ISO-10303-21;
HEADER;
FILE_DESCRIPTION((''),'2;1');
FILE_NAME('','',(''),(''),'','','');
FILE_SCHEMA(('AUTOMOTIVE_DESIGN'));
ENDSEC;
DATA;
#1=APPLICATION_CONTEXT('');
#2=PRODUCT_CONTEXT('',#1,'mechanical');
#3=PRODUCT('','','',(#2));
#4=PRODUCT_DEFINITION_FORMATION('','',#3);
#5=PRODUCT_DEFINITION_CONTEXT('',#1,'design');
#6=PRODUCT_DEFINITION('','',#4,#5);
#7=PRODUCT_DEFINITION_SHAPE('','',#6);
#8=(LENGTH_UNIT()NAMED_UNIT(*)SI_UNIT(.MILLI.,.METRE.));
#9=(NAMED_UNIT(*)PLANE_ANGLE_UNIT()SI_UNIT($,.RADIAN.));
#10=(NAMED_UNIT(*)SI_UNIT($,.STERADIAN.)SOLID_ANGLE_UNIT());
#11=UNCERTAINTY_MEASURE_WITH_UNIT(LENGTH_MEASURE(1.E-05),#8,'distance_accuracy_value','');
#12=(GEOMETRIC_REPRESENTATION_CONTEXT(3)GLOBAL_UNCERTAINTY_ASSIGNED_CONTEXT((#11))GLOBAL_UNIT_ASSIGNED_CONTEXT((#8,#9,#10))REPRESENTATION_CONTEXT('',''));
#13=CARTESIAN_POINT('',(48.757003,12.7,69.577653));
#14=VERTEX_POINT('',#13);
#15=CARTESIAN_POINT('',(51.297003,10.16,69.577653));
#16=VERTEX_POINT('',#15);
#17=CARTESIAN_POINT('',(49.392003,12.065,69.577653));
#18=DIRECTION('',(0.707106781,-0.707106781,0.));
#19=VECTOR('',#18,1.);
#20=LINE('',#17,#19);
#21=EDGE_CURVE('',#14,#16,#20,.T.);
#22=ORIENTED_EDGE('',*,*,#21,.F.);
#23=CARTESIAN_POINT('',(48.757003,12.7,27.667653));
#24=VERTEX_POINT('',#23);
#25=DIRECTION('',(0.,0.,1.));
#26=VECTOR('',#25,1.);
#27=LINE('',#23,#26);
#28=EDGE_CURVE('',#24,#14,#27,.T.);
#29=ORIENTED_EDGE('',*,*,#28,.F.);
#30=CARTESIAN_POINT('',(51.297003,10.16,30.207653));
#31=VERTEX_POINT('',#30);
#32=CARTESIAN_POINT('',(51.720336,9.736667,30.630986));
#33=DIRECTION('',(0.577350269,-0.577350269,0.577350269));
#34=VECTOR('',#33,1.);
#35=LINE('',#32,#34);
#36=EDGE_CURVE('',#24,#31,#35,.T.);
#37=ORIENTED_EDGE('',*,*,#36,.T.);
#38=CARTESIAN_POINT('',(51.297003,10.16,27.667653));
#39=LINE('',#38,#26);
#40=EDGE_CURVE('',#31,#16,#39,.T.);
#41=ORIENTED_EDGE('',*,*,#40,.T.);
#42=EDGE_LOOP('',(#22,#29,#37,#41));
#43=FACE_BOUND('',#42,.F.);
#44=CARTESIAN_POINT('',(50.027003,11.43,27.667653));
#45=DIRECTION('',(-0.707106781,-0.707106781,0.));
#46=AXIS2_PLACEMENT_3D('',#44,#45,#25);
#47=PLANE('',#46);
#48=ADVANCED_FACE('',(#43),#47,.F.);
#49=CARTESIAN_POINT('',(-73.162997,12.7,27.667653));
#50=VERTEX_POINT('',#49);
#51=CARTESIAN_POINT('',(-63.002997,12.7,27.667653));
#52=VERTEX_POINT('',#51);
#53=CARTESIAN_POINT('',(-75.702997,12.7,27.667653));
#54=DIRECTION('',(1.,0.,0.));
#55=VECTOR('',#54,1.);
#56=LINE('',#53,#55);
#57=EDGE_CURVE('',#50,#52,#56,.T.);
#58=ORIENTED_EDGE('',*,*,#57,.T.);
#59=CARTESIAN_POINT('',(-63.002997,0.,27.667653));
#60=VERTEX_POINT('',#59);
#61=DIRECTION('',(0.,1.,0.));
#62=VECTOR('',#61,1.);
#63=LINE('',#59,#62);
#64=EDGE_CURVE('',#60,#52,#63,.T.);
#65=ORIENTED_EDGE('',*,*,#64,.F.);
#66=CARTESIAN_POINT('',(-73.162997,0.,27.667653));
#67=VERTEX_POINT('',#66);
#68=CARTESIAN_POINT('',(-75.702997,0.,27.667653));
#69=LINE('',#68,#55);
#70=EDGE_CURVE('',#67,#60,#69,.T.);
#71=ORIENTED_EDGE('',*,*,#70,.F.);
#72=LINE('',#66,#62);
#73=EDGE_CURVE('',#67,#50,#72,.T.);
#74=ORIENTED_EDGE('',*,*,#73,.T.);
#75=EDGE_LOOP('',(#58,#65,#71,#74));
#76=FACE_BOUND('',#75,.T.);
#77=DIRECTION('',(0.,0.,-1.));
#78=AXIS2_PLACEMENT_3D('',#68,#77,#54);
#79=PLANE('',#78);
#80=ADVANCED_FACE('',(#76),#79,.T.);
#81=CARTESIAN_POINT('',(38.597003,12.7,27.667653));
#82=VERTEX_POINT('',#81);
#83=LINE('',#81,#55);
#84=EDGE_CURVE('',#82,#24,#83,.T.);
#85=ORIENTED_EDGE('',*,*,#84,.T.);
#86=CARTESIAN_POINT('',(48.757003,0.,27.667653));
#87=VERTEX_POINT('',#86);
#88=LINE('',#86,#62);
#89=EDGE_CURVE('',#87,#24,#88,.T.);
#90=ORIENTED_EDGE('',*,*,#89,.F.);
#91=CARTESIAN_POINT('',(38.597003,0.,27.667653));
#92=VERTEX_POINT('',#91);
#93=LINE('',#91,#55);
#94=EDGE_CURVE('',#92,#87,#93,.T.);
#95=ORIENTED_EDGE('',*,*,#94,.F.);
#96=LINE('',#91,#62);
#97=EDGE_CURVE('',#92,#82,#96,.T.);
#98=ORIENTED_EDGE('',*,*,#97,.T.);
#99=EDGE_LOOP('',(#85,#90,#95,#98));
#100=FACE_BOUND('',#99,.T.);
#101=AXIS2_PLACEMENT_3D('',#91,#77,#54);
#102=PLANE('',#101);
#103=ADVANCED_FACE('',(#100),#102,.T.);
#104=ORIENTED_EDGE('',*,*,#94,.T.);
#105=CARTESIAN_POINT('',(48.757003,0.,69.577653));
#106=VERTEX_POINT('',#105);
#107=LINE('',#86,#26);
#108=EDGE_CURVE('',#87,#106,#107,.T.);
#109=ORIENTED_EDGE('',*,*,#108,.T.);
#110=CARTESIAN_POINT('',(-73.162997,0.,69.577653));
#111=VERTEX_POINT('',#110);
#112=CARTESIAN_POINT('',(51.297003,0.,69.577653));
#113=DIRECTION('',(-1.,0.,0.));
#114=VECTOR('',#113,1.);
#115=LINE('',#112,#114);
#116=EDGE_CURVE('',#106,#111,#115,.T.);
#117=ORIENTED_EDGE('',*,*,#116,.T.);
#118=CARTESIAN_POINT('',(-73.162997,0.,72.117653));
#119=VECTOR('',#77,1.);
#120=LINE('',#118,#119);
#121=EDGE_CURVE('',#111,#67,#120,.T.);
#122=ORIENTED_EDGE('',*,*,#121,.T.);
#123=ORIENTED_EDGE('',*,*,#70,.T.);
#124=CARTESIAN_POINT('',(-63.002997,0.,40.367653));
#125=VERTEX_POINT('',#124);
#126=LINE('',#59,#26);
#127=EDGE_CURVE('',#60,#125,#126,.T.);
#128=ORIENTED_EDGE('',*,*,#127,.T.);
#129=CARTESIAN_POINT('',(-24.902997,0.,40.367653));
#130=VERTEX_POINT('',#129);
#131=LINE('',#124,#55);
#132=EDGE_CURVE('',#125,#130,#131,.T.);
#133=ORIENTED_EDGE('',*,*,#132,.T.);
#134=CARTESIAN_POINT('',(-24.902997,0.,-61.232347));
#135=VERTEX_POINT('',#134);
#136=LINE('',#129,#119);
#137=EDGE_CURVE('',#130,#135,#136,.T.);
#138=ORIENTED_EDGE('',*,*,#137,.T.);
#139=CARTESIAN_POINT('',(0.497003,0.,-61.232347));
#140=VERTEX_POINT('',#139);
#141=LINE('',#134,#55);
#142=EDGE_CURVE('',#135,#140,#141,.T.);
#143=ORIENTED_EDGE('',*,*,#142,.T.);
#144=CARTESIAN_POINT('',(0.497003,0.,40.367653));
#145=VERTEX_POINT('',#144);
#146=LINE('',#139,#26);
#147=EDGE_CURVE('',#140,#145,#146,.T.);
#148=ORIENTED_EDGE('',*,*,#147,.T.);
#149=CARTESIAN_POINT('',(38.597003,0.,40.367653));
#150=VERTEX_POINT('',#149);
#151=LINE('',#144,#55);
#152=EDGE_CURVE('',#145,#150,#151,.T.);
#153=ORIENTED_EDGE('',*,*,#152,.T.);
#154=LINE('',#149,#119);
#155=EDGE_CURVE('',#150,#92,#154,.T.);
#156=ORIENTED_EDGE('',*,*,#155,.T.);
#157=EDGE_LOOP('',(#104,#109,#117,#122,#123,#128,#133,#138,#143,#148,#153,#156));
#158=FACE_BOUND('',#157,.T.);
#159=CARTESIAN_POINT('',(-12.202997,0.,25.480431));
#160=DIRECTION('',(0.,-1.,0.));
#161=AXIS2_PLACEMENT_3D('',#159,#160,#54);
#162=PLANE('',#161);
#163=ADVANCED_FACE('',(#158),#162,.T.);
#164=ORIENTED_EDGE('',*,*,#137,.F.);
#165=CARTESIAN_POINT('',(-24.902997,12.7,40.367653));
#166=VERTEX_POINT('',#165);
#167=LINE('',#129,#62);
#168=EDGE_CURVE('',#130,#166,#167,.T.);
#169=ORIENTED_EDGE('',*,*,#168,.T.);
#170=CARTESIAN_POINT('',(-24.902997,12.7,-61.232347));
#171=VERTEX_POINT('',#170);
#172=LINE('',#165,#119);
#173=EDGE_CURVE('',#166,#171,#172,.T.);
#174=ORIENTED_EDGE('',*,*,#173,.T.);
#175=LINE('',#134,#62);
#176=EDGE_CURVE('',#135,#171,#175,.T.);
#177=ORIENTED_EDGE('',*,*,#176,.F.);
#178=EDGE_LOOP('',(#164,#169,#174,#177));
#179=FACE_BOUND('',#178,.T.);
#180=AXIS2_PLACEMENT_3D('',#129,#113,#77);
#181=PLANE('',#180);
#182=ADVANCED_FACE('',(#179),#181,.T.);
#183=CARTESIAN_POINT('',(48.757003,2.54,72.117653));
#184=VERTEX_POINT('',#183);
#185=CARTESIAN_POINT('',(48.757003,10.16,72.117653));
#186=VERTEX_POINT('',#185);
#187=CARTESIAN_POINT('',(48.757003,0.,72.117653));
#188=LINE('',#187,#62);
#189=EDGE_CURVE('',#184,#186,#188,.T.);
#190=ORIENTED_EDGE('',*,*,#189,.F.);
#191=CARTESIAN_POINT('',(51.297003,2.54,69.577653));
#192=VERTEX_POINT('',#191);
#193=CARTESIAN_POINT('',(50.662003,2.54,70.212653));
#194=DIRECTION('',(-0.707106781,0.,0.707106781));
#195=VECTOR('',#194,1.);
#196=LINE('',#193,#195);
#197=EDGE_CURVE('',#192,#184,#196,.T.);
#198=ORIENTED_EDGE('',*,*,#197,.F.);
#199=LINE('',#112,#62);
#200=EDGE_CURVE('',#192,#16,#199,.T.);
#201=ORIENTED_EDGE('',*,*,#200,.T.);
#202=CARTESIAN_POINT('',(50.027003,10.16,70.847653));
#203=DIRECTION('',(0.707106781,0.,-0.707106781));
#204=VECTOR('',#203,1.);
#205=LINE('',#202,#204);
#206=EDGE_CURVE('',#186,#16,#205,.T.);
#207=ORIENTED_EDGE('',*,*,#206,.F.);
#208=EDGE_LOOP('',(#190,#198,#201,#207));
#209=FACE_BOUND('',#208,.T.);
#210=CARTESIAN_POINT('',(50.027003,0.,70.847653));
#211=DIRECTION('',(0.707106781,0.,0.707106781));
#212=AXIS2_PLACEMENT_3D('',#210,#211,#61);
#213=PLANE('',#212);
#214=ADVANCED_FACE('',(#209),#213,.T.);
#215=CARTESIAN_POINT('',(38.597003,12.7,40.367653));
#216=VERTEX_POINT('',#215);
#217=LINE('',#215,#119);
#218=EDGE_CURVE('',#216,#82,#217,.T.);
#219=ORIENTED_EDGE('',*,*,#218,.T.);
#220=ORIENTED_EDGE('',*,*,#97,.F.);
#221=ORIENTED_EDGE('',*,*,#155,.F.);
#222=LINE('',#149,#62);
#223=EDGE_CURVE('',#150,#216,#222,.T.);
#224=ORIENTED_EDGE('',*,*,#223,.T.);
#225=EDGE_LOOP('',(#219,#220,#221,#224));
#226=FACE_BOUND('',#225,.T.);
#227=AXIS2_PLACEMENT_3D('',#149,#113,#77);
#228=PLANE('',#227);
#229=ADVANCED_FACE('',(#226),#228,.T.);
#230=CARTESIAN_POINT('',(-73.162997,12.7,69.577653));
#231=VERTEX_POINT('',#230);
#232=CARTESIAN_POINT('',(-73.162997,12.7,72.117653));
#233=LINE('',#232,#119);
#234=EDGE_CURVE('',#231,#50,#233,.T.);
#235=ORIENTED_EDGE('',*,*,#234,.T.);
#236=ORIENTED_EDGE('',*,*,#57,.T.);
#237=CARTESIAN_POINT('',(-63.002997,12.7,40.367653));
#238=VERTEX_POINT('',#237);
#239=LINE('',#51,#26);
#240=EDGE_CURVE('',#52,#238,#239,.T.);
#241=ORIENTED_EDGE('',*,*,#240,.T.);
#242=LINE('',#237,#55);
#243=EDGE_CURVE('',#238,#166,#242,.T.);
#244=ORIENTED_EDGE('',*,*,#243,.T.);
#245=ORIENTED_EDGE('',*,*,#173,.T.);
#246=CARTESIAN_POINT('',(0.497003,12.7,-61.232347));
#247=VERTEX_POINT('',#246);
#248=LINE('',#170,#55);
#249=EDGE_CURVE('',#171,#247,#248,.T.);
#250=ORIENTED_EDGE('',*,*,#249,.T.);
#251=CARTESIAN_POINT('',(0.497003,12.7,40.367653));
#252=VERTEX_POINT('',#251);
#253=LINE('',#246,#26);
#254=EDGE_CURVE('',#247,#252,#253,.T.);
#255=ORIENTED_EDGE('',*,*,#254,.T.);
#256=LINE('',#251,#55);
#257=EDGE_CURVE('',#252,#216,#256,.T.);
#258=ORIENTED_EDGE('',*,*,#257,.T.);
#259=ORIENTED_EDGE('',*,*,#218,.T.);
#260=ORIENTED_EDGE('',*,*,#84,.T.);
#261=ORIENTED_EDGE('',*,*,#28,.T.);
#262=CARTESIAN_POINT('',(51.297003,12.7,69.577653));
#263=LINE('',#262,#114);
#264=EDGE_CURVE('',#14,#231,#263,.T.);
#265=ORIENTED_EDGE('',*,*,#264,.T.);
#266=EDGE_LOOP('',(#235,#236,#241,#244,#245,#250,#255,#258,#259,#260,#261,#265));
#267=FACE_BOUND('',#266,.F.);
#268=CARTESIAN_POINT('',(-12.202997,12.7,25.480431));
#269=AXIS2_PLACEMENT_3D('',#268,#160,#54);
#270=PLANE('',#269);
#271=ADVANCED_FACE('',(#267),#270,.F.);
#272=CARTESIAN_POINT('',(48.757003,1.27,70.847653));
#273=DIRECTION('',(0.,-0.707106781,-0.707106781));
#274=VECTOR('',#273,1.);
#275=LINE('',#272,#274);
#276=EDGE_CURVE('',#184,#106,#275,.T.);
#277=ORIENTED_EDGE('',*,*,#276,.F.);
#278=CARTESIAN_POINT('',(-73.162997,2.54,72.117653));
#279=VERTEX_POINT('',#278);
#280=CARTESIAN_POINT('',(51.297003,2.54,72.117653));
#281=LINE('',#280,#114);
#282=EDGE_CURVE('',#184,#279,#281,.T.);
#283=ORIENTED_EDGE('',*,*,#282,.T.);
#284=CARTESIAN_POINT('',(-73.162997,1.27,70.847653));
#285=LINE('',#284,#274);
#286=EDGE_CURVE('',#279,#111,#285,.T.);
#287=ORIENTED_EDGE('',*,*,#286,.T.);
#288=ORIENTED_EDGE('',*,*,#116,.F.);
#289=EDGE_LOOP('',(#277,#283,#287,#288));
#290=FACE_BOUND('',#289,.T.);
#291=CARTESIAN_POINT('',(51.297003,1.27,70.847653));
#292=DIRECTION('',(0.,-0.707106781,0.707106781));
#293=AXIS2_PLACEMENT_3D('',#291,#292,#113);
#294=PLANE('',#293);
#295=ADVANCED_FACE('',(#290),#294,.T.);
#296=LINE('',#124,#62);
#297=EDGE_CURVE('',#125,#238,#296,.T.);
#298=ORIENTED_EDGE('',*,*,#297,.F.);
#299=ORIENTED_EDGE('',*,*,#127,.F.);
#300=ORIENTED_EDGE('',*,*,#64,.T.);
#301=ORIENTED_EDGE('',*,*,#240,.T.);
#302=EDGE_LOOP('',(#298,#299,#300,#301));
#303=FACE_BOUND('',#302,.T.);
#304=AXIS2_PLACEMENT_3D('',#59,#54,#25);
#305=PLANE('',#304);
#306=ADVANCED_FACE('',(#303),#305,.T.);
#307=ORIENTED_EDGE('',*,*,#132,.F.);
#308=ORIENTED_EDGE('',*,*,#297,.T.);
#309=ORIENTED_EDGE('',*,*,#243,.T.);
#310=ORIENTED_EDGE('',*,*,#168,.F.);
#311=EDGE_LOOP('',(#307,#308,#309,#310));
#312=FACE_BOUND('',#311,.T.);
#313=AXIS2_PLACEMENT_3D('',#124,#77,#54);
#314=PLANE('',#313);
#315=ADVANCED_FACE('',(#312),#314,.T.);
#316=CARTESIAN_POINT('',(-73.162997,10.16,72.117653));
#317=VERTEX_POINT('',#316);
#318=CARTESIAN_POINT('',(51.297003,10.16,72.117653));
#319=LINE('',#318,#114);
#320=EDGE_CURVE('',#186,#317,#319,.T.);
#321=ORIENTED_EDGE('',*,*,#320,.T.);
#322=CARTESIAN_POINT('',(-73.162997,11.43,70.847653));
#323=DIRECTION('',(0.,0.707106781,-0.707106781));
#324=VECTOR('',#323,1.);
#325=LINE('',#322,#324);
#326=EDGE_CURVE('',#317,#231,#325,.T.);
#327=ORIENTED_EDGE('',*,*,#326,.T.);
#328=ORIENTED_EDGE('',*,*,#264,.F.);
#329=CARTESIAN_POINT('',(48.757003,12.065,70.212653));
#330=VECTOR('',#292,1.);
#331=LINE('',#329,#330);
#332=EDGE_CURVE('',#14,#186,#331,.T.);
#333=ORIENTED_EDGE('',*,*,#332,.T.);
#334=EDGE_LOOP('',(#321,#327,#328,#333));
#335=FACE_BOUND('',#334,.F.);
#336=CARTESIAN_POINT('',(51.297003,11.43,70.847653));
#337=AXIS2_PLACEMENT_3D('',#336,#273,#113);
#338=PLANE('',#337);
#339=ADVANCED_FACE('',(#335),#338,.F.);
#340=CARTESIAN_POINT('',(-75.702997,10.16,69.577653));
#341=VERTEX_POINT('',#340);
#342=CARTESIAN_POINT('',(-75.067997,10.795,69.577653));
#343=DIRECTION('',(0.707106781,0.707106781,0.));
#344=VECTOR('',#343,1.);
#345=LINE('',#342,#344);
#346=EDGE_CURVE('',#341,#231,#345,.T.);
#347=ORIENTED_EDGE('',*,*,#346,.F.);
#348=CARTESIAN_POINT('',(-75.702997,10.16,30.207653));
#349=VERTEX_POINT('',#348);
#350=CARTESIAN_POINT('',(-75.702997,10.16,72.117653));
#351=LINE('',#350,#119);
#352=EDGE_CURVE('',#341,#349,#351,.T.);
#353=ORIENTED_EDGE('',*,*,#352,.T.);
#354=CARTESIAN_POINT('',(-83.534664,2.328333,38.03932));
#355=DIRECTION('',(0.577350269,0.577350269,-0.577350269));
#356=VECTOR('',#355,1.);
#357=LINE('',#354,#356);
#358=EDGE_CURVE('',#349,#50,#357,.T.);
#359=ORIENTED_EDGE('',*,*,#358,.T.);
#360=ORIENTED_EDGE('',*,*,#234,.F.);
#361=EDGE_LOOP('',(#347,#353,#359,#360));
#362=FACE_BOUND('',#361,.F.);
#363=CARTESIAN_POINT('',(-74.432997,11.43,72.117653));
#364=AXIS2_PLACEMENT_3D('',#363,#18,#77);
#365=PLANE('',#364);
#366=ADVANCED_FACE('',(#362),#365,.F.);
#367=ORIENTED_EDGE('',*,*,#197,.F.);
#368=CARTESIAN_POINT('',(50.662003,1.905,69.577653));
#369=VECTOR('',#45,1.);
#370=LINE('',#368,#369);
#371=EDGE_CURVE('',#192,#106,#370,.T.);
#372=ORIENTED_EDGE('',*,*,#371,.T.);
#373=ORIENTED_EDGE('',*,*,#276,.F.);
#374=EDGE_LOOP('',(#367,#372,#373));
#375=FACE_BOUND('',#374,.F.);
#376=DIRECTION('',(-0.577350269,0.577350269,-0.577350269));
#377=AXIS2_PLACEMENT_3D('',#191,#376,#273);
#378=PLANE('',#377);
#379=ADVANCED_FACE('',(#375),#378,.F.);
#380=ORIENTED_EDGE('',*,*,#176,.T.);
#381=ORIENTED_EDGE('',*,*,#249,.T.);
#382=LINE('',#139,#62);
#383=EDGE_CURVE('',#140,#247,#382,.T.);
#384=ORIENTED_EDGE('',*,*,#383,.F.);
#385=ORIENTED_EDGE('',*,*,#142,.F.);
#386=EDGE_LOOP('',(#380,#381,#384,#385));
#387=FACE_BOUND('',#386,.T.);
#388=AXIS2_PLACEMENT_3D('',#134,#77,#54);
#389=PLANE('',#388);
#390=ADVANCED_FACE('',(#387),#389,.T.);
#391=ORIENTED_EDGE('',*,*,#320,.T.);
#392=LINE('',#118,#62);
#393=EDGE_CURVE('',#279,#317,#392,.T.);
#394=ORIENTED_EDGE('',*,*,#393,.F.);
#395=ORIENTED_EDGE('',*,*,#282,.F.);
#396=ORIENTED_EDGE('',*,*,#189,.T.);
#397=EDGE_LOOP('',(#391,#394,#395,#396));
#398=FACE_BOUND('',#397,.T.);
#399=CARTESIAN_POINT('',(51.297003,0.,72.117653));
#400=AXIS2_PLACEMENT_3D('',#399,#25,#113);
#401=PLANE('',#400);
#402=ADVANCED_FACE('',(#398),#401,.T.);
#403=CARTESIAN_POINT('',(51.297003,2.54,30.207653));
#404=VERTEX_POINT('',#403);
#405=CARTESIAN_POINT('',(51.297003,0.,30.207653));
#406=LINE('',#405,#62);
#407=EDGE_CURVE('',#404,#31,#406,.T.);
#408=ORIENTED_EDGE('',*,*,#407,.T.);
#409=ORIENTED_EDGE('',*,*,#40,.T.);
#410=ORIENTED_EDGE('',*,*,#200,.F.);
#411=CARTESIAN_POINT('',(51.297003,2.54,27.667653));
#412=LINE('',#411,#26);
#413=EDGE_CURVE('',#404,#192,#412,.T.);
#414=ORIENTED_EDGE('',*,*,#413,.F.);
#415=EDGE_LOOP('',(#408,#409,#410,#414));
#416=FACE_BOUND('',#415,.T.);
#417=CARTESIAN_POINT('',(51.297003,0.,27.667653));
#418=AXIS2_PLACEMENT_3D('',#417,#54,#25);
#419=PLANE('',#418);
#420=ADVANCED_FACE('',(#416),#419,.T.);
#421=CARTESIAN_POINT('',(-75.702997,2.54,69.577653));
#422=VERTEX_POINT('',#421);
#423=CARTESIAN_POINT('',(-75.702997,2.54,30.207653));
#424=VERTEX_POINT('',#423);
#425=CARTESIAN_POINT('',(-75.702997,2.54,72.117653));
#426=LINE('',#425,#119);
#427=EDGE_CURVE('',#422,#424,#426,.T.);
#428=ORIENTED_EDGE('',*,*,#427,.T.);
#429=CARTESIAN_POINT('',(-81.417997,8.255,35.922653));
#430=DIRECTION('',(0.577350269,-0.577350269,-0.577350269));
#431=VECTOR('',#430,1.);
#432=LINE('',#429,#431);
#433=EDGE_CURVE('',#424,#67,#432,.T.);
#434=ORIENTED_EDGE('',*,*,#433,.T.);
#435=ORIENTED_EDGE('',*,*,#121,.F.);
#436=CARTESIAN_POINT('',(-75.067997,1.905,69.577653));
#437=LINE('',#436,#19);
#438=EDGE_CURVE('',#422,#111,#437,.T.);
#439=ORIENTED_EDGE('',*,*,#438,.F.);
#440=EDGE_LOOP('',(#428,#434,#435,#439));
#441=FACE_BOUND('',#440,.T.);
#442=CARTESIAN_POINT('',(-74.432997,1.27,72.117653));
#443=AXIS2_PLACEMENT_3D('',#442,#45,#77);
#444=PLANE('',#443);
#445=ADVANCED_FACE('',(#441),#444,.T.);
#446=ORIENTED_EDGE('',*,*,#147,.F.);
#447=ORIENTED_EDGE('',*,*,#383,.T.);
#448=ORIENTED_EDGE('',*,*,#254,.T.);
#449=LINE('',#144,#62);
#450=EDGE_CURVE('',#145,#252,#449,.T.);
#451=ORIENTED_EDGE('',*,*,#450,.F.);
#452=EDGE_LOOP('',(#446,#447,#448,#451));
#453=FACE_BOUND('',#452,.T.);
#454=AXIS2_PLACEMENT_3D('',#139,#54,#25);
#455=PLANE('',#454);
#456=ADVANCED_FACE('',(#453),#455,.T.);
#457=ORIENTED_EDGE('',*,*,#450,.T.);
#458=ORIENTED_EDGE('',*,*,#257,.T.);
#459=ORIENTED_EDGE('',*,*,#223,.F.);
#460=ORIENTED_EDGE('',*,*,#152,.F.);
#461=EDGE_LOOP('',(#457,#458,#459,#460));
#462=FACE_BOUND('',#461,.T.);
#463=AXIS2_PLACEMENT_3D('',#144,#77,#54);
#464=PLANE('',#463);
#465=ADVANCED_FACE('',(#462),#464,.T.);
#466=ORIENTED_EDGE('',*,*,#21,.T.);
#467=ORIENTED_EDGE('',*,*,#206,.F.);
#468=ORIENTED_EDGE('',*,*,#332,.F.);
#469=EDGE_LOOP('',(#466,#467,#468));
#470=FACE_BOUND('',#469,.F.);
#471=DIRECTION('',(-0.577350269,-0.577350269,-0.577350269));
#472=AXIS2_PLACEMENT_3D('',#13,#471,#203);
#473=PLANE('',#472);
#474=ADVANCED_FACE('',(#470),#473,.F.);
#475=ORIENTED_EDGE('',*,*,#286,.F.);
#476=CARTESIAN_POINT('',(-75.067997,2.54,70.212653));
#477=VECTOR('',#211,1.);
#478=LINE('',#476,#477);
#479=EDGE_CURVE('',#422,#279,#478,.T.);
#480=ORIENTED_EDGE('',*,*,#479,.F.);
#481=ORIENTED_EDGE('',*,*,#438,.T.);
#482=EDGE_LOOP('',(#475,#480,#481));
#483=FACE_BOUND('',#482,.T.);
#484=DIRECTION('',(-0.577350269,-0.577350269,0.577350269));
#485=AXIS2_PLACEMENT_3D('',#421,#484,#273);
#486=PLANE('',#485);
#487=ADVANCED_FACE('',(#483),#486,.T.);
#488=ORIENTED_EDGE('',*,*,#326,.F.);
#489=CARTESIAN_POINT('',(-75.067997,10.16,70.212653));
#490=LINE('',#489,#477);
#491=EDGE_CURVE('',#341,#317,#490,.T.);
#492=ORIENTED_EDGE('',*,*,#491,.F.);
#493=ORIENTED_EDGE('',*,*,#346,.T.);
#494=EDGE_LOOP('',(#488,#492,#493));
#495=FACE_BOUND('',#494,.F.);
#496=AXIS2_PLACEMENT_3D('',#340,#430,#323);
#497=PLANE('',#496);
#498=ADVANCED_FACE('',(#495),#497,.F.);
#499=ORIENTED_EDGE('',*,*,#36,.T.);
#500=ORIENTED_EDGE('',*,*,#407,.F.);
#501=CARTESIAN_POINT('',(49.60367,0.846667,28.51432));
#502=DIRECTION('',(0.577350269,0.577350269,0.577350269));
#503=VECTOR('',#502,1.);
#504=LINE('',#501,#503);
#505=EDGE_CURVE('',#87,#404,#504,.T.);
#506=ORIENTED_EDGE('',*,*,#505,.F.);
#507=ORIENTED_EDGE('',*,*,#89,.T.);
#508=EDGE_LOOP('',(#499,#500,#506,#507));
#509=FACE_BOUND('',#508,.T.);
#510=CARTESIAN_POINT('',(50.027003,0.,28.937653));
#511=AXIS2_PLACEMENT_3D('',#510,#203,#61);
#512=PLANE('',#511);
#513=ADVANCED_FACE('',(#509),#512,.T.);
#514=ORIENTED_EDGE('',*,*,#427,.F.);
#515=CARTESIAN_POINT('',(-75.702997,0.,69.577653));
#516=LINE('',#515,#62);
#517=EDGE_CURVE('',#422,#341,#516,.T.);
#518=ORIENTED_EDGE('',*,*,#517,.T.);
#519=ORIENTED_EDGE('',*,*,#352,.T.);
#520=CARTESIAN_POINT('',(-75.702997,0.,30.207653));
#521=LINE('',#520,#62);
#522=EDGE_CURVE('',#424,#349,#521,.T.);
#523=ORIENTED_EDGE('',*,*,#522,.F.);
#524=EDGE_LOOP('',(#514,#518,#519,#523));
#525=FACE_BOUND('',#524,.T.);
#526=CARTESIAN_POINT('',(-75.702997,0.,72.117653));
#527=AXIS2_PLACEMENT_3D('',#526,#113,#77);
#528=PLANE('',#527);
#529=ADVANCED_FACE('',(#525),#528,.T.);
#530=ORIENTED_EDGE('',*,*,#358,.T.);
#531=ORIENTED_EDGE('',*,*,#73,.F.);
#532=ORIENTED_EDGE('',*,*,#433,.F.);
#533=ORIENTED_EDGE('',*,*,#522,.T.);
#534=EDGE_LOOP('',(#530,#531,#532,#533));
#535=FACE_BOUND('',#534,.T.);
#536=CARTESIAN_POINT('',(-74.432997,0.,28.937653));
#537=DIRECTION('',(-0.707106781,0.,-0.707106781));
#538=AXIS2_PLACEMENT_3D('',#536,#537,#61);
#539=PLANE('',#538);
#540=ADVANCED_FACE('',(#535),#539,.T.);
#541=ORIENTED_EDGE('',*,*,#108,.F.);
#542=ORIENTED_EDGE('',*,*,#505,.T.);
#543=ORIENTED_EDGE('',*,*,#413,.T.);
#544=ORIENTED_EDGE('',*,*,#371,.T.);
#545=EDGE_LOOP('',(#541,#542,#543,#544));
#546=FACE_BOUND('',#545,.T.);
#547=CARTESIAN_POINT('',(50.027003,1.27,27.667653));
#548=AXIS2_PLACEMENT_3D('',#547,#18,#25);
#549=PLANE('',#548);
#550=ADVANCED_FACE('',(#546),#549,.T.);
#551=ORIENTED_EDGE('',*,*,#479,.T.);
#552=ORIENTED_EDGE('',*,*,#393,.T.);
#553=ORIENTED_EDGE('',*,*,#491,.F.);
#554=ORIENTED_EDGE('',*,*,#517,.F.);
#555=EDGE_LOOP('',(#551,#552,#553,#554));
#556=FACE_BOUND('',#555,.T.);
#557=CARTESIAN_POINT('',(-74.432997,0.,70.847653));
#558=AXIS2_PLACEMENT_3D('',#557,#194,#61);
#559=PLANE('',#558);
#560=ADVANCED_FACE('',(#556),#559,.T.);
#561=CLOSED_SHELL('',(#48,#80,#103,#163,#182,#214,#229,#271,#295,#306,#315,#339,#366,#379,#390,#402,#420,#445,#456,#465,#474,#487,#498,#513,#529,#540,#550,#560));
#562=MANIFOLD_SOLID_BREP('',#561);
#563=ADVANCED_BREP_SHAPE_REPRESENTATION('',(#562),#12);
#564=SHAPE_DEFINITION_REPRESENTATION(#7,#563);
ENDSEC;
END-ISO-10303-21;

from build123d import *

# Parameters (mm, degrees)
F1_DEPTH = 12.7
F2_SIZE  = 2.54


with BuildPart() as f1:
    # F0 (on Front) → F1 (new body)
    with BuildSketch(Plane.XZ):
        Polygon((-24.902997, -61.232347), (0.497003, -61.232347), (0.497003, 40.367653), (38.597003, 40.367653), (38.597003, 27.667653), (51.297003, 27.667653), (51.297003, 72.117653), (-75.702997, 72.117653), (-75.702997, 27.667653), (-63.002997, 27.667653), (-63.002997, 40.367653), (-24.902997, 40.367653), align=None)
    extrude(amount=-F1_DEPTH)

    # F2
    f2_edges = [f1.edges().sort_by_distance(p)[0] for p in [
        (-12.202997, 0, 72.117653),
        (51.297003, 6.35, 72.117653),
        (-12.202997, 12.7, 72.117653),
        (-75.702997, 6.35, 72.117653),
        (51.297003, 6.35, 27.667653),
        (51.297003, 0, 49.892653),
        (51.297003, 12.7, 49.892653),
        (-75.702997, 6.35, 27.667653),
        (-75.702997, 0, 49.892653),
        (-75.702997, 12.7, 49.892653),
    ]]
    chamfer(f2_edges, length=F2_SIZE)


solid = f1.part
